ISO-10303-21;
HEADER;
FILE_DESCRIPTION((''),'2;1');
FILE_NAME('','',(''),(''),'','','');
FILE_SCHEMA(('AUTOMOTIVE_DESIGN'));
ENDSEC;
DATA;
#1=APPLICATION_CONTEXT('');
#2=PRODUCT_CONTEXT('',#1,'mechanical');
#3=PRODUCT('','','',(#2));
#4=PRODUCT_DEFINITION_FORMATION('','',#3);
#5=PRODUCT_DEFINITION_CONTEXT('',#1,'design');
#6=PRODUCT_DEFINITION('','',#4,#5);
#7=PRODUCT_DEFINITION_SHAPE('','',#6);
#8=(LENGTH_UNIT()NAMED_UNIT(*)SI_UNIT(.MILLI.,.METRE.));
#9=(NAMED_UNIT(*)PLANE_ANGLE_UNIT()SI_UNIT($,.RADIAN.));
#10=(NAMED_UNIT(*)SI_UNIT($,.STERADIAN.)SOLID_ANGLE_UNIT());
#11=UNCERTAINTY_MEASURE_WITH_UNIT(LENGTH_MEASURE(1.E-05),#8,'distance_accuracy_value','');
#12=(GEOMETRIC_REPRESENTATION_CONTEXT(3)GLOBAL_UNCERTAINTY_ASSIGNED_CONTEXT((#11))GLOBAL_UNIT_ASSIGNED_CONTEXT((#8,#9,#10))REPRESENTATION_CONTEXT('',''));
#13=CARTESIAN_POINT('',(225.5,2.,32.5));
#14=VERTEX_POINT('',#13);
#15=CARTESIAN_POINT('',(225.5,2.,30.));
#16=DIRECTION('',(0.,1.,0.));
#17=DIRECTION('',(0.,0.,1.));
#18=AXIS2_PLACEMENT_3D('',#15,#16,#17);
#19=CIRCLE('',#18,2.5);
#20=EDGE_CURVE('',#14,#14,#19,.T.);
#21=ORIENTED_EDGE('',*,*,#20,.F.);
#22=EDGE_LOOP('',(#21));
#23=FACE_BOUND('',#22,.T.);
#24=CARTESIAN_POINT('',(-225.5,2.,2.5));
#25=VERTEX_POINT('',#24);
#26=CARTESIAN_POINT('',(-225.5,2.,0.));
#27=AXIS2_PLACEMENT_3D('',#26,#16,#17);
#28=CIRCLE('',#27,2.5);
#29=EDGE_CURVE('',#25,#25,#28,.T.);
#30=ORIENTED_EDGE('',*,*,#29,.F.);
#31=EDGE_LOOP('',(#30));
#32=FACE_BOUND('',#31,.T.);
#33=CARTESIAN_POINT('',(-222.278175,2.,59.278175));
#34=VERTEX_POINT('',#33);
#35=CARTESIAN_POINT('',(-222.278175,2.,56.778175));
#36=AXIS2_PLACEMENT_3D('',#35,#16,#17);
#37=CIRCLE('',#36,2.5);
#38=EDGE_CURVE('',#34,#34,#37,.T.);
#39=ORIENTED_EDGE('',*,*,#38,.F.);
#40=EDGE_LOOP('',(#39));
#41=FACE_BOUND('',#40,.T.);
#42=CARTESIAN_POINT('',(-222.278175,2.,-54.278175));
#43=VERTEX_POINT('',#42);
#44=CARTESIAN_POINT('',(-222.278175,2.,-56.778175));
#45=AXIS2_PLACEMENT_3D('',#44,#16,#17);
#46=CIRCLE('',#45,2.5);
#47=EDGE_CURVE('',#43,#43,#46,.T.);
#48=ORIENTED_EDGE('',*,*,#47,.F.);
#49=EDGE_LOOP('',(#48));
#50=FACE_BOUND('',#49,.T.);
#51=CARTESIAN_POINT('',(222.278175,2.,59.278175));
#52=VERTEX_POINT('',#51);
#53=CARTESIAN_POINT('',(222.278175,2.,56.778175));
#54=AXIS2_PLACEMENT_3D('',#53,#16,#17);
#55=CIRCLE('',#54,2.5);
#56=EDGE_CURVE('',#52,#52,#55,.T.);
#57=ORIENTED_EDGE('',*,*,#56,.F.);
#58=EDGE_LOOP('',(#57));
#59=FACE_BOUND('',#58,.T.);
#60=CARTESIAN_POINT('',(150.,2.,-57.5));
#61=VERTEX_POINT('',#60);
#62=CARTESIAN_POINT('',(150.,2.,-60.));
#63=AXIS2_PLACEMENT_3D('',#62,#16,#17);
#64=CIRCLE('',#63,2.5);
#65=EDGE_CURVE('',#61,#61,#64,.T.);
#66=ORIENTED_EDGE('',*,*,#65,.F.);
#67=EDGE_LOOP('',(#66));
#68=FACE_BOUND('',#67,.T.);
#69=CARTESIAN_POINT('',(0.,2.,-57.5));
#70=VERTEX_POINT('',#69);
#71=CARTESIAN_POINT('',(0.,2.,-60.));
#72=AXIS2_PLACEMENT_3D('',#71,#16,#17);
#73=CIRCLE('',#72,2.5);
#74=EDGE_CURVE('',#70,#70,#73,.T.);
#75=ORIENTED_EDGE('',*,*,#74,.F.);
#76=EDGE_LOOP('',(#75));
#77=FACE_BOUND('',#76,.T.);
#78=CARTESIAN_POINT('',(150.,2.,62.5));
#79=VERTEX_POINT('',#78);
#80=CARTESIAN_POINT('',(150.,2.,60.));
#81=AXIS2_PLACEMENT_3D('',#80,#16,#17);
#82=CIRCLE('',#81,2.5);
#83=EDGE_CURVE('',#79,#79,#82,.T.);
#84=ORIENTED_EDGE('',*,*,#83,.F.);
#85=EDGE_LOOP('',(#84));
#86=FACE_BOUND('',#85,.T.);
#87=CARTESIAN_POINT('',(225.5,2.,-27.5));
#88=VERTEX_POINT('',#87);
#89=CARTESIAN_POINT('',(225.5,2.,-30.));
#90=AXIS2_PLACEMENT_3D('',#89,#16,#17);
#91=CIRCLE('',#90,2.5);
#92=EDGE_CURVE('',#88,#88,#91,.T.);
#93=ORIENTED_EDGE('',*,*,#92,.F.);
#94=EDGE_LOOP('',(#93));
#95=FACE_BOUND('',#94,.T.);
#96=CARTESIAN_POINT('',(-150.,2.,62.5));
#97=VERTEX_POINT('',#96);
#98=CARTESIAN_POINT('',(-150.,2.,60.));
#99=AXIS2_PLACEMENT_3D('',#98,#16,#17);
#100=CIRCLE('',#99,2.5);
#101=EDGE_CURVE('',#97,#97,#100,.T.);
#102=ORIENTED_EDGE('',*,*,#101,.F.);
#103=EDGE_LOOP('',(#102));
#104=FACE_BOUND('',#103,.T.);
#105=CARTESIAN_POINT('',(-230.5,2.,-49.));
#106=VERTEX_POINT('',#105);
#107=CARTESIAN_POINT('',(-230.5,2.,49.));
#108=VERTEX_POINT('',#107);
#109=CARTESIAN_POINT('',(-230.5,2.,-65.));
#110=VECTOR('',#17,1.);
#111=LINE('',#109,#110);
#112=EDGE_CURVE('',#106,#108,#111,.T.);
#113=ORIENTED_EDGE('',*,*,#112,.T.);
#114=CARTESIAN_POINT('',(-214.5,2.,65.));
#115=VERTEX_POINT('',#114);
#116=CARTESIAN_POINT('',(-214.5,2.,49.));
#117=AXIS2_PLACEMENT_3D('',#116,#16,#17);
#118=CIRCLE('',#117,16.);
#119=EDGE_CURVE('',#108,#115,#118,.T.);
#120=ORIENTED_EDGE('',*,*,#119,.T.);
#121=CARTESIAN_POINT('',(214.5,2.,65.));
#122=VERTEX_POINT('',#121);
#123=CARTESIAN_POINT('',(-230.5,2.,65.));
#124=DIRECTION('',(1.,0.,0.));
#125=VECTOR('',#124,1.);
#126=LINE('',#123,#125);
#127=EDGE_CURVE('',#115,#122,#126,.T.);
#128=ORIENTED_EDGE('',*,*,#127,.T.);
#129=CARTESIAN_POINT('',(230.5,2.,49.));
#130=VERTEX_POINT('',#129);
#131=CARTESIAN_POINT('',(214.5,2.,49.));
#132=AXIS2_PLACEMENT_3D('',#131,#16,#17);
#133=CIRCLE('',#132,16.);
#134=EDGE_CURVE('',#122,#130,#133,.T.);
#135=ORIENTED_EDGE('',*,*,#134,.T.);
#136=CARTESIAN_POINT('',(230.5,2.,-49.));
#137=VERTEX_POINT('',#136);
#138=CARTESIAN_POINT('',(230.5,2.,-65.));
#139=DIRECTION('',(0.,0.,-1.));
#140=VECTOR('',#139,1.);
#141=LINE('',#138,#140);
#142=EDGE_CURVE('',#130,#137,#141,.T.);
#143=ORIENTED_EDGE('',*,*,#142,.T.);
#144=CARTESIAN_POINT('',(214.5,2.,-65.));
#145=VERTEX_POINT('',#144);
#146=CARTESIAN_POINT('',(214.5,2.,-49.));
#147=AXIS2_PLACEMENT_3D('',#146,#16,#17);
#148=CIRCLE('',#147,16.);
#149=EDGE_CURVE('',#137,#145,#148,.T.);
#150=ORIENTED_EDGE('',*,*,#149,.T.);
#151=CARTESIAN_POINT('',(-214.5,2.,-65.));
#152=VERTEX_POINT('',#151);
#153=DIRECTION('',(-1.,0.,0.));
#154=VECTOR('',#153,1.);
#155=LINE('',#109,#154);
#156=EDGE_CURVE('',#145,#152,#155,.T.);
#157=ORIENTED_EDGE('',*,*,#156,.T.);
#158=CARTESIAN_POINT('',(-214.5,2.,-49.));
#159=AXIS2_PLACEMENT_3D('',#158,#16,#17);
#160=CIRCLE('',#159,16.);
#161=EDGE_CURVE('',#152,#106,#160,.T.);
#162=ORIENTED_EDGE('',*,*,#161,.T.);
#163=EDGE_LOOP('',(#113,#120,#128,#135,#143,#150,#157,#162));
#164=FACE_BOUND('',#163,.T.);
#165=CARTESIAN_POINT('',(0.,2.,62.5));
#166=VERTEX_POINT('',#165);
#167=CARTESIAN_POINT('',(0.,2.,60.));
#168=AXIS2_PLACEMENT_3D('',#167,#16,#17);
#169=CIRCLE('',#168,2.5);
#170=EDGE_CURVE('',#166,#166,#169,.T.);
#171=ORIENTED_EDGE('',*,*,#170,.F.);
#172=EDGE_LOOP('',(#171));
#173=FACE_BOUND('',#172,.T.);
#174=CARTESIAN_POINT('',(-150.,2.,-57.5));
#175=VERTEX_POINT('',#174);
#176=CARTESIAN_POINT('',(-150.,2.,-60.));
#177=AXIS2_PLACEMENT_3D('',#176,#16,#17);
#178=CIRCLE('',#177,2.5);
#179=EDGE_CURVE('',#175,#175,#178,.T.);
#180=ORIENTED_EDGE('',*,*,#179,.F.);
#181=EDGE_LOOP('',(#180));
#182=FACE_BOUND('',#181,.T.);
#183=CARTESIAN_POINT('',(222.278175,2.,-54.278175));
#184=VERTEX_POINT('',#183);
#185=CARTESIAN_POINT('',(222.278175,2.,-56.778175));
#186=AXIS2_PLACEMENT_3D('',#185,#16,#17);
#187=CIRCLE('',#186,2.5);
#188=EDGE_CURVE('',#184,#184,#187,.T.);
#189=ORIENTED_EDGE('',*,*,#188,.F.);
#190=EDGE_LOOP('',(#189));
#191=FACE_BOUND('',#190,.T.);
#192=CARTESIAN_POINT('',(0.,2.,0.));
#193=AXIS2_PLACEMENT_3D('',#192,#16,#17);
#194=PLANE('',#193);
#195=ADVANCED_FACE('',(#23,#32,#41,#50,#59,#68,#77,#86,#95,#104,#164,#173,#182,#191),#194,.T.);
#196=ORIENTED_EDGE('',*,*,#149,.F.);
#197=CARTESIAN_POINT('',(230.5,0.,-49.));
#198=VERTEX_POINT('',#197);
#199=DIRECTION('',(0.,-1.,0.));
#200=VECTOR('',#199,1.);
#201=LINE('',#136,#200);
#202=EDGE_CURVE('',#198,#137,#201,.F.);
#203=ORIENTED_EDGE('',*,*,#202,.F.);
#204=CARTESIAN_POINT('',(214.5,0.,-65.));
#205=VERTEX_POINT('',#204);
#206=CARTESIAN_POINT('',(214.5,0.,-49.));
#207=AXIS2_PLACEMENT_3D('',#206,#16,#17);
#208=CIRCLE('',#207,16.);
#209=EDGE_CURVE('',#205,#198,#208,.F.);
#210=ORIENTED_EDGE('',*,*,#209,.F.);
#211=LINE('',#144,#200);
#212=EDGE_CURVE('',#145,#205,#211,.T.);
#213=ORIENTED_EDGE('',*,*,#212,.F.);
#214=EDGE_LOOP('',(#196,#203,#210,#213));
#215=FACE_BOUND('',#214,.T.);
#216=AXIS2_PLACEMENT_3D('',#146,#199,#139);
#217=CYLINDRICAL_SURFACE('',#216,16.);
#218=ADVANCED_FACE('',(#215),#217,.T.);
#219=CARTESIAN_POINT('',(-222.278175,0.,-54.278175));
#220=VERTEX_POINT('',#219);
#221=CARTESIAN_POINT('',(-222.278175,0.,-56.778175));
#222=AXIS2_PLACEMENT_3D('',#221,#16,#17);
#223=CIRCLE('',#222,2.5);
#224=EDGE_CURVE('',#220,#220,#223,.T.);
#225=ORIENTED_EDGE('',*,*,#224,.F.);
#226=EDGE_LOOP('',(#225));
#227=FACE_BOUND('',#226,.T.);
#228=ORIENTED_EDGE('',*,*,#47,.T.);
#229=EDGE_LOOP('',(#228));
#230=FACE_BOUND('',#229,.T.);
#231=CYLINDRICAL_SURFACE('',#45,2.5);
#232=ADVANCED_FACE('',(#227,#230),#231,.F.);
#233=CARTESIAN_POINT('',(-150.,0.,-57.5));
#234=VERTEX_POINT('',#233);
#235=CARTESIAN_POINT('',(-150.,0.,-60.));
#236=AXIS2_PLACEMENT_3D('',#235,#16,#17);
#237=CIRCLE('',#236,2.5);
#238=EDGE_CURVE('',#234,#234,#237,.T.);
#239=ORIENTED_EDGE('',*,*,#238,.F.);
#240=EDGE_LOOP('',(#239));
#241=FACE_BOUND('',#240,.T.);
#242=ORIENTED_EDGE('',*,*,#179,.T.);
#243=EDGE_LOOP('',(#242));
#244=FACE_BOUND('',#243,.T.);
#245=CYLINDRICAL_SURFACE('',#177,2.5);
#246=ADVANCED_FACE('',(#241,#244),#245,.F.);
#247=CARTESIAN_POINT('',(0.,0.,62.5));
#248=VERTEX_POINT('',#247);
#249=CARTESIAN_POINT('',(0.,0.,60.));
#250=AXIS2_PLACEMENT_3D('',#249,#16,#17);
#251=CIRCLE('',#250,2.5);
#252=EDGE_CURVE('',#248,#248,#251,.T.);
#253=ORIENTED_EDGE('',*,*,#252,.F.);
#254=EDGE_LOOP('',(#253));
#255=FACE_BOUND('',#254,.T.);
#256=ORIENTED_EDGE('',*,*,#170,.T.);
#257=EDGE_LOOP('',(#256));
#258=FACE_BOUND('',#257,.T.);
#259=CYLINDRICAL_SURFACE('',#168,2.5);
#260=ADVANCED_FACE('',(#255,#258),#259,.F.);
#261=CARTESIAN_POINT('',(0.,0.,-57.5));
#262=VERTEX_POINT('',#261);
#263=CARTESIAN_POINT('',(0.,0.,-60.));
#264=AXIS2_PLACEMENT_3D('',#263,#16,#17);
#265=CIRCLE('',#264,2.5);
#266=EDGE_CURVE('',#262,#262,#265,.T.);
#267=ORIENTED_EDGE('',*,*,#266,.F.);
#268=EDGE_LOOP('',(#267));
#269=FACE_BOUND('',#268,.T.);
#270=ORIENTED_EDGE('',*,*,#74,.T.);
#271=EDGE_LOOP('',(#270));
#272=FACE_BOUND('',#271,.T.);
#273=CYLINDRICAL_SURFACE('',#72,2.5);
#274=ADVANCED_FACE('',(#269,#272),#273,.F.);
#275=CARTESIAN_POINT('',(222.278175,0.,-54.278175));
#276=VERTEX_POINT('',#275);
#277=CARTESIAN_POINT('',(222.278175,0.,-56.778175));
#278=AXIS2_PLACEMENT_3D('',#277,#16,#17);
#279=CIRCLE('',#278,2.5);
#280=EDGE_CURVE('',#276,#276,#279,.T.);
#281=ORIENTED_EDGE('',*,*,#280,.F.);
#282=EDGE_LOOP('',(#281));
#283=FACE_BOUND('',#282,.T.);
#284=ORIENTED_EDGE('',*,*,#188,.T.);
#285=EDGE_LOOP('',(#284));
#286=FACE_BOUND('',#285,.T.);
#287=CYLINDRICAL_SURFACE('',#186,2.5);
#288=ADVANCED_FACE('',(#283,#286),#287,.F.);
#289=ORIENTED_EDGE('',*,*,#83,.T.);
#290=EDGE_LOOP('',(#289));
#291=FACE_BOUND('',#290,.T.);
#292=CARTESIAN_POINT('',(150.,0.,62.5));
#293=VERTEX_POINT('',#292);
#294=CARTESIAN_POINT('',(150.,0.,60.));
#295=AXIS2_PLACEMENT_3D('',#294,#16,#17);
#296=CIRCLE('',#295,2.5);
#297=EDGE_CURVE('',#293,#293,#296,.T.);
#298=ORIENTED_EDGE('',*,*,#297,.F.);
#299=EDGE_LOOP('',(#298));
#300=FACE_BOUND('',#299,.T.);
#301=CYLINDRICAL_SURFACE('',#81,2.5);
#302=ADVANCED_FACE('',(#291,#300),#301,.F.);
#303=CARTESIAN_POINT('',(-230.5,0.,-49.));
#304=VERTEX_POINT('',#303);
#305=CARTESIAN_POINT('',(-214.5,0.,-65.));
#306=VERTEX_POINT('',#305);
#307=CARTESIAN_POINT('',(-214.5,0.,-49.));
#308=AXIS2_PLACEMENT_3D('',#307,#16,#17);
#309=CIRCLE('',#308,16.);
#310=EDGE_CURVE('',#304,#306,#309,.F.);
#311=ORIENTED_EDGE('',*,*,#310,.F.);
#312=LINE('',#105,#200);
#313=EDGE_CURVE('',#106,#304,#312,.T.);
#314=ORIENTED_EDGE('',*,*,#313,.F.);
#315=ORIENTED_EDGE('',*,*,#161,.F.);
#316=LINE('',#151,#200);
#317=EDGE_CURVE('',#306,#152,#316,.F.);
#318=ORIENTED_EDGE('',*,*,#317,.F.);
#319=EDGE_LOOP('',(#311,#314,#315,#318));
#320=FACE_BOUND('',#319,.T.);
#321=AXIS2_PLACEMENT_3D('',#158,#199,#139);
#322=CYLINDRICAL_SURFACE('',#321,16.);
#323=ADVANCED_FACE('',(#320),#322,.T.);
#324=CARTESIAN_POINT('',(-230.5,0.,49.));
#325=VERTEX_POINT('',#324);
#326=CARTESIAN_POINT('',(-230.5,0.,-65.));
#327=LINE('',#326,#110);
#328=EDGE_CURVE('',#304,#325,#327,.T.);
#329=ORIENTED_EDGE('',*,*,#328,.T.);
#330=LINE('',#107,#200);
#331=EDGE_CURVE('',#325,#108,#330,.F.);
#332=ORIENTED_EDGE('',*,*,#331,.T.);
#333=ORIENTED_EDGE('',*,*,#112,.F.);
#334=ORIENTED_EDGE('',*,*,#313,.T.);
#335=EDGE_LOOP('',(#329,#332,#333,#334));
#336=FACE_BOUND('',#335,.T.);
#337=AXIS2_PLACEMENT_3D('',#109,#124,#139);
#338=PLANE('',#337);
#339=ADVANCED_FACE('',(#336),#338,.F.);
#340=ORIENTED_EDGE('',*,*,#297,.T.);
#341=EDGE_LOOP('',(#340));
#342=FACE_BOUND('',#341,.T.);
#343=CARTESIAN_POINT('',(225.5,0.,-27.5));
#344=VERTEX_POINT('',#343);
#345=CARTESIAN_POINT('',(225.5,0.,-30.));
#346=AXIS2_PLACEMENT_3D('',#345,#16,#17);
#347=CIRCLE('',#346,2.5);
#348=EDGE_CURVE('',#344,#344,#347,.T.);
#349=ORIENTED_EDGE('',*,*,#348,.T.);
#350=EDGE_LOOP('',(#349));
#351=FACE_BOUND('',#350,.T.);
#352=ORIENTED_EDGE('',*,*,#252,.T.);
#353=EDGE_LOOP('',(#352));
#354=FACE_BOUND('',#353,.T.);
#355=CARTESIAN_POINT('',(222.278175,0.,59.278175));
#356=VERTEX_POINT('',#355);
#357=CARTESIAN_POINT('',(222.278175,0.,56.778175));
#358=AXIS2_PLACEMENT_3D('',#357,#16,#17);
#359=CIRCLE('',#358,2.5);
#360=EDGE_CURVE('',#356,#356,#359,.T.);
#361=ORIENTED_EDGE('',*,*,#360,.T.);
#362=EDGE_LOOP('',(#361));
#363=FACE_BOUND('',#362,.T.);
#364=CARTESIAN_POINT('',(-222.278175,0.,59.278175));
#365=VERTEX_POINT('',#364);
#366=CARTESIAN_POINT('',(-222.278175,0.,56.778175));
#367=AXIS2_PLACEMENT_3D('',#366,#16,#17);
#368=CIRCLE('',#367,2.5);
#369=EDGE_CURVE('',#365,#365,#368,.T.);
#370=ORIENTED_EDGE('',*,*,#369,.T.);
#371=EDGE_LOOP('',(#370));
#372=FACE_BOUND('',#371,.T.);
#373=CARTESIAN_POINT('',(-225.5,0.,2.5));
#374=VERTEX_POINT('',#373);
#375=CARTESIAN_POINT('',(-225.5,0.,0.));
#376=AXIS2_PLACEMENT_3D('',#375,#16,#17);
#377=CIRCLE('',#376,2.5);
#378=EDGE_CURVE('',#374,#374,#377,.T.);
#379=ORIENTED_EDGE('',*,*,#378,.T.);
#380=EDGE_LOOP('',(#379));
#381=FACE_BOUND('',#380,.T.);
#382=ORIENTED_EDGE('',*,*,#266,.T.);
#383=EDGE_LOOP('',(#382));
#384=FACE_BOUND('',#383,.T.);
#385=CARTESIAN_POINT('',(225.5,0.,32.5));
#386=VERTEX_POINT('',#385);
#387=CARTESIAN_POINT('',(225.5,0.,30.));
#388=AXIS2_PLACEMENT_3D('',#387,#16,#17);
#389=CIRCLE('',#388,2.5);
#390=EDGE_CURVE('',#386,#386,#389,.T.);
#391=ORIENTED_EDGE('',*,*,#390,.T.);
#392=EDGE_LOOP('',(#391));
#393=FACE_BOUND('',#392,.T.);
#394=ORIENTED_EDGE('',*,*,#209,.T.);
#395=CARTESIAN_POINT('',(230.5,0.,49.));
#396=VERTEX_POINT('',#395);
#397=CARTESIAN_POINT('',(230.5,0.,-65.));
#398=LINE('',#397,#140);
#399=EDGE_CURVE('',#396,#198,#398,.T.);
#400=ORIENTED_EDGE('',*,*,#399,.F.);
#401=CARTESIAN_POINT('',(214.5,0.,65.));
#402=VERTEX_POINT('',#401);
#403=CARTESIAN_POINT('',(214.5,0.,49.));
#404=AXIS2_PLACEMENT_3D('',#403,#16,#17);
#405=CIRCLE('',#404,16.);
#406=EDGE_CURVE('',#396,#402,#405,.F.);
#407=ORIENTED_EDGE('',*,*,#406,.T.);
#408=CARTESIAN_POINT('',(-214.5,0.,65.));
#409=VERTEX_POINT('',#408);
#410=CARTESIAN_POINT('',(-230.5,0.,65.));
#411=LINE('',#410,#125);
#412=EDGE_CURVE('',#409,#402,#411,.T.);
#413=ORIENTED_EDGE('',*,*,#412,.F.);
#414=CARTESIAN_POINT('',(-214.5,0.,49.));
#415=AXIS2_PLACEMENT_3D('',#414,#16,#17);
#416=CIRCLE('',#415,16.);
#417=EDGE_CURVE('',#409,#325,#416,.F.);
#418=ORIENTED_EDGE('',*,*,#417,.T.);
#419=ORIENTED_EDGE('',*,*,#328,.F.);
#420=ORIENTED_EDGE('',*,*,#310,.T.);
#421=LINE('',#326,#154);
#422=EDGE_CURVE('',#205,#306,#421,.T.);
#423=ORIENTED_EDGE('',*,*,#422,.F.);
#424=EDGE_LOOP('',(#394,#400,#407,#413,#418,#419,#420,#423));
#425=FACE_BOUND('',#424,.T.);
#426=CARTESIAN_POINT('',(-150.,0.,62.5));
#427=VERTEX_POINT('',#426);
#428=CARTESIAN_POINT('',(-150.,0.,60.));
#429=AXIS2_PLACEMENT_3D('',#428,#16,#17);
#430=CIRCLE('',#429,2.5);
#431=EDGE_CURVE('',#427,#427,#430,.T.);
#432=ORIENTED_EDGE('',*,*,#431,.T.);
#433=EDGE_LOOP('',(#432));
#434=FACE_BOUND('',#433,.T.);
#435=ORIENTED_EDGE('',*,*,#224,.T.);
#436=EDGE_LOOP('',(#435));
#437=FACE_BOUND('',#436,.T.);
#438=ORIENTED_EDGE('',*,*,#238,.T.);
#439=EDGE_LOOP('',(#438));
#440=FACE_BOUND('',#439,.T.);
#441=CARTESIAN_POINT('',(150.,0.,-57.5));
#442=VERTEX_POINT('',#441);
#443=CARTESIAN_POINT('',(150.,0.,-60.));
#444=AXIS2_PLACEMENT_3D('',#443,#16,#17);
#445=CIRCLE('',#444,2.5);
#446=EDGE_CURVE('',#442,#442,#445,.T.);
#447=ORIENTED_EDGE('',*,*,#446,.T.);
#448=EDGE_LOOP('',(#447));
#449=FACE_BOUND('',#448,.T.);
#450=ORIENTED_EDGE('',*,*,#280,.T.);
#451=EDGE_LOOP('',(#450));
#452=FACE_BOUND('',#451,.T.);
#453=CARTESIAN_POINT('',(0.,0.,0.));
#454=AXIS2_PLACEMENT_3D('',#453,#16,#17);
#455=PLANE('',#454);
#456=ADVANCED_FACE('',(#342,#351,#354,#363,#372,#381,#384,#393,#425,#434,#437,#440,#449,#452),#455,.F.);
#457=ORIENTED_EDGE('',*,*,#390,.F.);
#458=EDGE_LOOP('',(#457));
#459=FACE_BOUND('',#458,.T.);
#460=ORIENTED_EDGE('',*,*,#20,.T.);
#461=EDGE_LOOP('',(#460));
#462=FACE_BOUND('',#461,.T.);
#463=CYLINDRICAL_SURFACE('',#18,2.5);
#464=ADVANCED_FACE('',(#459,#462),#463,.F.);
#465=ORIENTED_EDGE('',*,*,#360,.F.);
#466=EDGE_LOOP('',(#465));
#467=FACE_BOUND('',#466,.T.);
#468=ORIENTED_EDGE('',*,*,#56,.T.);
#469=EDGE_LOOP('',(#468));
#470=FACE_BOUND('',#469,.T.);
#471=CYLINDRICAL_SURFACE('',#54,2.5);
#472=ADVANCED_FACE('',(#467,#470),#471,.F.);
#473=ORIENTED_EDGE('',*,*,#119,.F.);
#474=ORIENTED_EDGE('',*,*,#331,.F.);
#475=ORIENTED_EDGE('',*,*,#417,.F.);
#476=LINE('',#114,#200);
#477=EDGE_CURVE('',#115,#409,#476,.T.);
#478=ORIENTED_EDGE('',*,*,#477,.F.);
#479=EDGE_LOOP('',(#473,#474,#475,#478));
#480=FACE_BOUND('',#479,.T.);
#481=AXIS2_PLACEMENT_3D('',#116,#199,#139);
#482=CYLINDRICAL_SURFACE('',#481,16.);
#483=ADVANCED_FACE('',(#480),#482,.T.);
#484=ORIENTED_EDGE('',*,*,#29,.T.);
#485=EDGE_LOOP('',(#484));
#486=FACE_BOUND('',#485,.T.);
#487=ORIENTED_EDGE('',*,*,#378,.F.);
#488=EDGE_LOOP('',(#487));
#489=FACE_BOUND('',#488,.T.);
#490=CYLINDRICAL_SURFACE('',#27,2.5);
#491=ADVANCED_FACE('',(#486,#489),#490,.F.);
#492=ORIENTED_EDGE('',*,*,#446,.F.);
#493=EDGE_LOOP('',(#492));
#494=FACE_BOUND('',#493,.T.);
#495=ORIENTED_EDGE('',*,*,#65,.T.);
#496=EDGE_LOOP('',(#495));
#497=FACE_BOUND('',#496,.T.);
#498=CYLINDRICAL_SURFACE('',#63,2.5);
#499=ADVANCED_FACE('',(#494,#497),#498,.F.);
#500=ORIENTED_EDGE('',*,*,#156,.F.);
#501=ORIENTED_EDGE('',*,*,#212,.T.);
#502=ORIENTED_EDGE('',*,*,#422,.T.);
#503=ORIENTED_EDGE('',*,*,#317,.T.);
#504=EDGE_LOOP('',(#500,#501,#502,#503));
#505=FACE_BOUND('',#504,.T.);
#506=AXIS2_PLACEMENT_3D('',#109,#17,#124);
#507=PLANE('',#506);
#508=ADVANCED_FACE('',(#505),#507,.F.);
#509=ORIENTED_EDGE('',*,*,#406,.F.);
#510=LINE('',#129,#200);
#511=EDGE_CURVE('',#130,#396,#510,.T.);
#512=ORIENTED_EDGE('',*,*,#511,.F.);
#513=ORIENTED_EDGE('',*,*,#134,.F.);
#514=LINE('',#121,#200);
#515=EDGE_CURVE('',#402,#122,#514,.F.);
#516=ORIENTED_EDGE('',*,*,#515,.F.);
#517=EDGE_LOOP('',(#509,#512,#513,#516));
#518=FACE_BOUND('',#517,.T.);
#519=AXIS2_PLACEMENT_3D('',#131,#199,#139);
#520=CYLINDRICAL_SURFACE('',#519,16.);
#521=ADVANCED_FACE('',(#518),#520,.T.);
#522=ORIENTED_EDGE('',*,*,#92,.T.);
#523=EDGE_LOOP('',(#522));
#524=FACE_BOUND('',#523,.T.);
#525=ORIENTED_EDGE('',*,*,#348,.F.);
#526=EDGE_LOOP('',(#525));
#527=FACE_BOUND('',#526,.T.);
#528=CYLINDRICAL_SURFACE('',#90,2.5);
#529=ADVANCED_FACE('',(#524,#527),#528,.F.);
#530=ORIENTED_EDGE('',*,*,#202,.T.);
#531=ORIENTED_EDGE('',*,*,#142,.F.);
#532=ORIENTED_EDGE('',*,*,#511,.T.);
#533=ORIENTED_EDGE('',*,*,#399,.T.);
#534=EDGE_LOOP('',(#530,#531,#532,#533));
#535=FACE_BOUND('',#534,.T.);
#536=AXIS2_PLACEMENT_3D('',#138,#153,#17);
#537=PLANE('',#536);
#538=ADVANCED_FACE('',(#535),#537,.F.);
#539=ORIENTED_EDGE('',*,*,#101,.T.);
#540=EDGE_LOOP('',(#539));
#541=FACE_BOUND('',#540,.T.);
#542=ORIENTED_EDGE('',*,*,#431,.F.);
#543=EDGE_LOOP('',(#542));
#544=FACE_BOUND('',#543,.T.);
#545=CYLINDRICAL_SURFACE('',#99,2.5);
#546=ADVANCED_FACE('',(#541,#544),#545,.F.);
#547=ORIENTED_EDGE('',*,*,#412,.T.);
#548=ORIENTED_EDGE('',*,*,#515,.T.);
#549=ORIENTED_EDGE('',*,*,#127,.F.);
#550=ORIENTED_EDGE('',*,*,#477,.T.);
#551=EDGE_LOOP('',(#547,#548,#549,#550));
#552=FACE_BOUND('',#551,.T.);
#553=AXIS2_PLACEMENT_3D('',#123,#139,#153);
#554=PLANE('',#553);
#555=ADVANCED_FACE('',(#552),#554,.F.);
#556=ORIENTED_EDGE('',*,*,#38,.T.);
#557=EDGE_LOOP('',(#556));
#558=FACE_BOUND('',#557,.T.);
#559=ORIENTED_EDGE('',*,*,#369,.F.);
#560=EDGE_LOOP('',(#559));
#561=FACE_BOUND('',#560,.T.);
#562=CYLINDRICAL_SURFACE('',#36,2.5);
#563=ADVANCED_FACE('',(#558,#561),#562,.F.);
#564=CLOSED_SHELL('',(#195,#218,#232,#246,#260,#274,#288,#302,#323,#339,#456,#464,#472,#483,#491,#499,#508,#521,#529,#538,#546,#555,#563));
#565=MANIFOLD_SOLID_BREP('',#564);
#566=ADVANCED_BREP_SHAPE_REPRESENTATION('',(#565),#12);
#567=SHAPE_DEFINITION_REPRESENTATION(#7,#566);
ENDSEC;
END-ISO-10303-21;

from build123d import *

# Parameters (mm, degrees)
SKETCH1_W                = 461
SKETCH1_H                = 130
BOSS_EXTRUDE1_DEPTH      = 2
FILLET1_R                = 16
F_5_0_5_DIAMETER_HOLE1_D = 5


with BuildPart() as part:
    # Sketch1 → Boss-Extrude1 (new body)
    with BuildSketch(Plane(origin=(0, 0, 0), x_dir=(1, 0, 0), z_dir=(0, 1, 0))):
        Rectangle(SKETCH1_W, SKETCH1_H)
    extrude(amount=BOSS_EXTRUDE1_DEPTH)

    # Fillet1
    fillet1_edges = [part.edges().sort_by_distance(p)[0] for p in [
        (230.5, 1, 65),
        (-230.5, 1, 65),
        (-230.5, 1, -65),
        (230.5, 1, -65),
    ]]
    fillet(fillet1_edges, radius=FILLET1_R)

    # Ø5.0 (5) Diameter Hole1 (through all)
    with Locations(Plane(origin=(-222.278174593, 2, -56.778174593), x_dir=(0, 0, 1), z_dir=(0, 1, 0))):
        with Locations((0, 0), (-3.221825407, 72.278174593), (56.778174593, -3.221825407), (113.556349186, 0), (116.778174593, 72.278174593), (-3.221825407, 222.278174593), (116.778174593, 222.278174593), (116.778174593, 372.278174593), (-3.221825407, 372.278174593), (0, 444.556349186), (113.556349186, 444.556349186), (26.778174593, 447.778174593), (86.778174593, 447.778174593)):
            Hole(F_5_0_5_DIAMETER_HOLE1_D / 2)


solid = part.part
